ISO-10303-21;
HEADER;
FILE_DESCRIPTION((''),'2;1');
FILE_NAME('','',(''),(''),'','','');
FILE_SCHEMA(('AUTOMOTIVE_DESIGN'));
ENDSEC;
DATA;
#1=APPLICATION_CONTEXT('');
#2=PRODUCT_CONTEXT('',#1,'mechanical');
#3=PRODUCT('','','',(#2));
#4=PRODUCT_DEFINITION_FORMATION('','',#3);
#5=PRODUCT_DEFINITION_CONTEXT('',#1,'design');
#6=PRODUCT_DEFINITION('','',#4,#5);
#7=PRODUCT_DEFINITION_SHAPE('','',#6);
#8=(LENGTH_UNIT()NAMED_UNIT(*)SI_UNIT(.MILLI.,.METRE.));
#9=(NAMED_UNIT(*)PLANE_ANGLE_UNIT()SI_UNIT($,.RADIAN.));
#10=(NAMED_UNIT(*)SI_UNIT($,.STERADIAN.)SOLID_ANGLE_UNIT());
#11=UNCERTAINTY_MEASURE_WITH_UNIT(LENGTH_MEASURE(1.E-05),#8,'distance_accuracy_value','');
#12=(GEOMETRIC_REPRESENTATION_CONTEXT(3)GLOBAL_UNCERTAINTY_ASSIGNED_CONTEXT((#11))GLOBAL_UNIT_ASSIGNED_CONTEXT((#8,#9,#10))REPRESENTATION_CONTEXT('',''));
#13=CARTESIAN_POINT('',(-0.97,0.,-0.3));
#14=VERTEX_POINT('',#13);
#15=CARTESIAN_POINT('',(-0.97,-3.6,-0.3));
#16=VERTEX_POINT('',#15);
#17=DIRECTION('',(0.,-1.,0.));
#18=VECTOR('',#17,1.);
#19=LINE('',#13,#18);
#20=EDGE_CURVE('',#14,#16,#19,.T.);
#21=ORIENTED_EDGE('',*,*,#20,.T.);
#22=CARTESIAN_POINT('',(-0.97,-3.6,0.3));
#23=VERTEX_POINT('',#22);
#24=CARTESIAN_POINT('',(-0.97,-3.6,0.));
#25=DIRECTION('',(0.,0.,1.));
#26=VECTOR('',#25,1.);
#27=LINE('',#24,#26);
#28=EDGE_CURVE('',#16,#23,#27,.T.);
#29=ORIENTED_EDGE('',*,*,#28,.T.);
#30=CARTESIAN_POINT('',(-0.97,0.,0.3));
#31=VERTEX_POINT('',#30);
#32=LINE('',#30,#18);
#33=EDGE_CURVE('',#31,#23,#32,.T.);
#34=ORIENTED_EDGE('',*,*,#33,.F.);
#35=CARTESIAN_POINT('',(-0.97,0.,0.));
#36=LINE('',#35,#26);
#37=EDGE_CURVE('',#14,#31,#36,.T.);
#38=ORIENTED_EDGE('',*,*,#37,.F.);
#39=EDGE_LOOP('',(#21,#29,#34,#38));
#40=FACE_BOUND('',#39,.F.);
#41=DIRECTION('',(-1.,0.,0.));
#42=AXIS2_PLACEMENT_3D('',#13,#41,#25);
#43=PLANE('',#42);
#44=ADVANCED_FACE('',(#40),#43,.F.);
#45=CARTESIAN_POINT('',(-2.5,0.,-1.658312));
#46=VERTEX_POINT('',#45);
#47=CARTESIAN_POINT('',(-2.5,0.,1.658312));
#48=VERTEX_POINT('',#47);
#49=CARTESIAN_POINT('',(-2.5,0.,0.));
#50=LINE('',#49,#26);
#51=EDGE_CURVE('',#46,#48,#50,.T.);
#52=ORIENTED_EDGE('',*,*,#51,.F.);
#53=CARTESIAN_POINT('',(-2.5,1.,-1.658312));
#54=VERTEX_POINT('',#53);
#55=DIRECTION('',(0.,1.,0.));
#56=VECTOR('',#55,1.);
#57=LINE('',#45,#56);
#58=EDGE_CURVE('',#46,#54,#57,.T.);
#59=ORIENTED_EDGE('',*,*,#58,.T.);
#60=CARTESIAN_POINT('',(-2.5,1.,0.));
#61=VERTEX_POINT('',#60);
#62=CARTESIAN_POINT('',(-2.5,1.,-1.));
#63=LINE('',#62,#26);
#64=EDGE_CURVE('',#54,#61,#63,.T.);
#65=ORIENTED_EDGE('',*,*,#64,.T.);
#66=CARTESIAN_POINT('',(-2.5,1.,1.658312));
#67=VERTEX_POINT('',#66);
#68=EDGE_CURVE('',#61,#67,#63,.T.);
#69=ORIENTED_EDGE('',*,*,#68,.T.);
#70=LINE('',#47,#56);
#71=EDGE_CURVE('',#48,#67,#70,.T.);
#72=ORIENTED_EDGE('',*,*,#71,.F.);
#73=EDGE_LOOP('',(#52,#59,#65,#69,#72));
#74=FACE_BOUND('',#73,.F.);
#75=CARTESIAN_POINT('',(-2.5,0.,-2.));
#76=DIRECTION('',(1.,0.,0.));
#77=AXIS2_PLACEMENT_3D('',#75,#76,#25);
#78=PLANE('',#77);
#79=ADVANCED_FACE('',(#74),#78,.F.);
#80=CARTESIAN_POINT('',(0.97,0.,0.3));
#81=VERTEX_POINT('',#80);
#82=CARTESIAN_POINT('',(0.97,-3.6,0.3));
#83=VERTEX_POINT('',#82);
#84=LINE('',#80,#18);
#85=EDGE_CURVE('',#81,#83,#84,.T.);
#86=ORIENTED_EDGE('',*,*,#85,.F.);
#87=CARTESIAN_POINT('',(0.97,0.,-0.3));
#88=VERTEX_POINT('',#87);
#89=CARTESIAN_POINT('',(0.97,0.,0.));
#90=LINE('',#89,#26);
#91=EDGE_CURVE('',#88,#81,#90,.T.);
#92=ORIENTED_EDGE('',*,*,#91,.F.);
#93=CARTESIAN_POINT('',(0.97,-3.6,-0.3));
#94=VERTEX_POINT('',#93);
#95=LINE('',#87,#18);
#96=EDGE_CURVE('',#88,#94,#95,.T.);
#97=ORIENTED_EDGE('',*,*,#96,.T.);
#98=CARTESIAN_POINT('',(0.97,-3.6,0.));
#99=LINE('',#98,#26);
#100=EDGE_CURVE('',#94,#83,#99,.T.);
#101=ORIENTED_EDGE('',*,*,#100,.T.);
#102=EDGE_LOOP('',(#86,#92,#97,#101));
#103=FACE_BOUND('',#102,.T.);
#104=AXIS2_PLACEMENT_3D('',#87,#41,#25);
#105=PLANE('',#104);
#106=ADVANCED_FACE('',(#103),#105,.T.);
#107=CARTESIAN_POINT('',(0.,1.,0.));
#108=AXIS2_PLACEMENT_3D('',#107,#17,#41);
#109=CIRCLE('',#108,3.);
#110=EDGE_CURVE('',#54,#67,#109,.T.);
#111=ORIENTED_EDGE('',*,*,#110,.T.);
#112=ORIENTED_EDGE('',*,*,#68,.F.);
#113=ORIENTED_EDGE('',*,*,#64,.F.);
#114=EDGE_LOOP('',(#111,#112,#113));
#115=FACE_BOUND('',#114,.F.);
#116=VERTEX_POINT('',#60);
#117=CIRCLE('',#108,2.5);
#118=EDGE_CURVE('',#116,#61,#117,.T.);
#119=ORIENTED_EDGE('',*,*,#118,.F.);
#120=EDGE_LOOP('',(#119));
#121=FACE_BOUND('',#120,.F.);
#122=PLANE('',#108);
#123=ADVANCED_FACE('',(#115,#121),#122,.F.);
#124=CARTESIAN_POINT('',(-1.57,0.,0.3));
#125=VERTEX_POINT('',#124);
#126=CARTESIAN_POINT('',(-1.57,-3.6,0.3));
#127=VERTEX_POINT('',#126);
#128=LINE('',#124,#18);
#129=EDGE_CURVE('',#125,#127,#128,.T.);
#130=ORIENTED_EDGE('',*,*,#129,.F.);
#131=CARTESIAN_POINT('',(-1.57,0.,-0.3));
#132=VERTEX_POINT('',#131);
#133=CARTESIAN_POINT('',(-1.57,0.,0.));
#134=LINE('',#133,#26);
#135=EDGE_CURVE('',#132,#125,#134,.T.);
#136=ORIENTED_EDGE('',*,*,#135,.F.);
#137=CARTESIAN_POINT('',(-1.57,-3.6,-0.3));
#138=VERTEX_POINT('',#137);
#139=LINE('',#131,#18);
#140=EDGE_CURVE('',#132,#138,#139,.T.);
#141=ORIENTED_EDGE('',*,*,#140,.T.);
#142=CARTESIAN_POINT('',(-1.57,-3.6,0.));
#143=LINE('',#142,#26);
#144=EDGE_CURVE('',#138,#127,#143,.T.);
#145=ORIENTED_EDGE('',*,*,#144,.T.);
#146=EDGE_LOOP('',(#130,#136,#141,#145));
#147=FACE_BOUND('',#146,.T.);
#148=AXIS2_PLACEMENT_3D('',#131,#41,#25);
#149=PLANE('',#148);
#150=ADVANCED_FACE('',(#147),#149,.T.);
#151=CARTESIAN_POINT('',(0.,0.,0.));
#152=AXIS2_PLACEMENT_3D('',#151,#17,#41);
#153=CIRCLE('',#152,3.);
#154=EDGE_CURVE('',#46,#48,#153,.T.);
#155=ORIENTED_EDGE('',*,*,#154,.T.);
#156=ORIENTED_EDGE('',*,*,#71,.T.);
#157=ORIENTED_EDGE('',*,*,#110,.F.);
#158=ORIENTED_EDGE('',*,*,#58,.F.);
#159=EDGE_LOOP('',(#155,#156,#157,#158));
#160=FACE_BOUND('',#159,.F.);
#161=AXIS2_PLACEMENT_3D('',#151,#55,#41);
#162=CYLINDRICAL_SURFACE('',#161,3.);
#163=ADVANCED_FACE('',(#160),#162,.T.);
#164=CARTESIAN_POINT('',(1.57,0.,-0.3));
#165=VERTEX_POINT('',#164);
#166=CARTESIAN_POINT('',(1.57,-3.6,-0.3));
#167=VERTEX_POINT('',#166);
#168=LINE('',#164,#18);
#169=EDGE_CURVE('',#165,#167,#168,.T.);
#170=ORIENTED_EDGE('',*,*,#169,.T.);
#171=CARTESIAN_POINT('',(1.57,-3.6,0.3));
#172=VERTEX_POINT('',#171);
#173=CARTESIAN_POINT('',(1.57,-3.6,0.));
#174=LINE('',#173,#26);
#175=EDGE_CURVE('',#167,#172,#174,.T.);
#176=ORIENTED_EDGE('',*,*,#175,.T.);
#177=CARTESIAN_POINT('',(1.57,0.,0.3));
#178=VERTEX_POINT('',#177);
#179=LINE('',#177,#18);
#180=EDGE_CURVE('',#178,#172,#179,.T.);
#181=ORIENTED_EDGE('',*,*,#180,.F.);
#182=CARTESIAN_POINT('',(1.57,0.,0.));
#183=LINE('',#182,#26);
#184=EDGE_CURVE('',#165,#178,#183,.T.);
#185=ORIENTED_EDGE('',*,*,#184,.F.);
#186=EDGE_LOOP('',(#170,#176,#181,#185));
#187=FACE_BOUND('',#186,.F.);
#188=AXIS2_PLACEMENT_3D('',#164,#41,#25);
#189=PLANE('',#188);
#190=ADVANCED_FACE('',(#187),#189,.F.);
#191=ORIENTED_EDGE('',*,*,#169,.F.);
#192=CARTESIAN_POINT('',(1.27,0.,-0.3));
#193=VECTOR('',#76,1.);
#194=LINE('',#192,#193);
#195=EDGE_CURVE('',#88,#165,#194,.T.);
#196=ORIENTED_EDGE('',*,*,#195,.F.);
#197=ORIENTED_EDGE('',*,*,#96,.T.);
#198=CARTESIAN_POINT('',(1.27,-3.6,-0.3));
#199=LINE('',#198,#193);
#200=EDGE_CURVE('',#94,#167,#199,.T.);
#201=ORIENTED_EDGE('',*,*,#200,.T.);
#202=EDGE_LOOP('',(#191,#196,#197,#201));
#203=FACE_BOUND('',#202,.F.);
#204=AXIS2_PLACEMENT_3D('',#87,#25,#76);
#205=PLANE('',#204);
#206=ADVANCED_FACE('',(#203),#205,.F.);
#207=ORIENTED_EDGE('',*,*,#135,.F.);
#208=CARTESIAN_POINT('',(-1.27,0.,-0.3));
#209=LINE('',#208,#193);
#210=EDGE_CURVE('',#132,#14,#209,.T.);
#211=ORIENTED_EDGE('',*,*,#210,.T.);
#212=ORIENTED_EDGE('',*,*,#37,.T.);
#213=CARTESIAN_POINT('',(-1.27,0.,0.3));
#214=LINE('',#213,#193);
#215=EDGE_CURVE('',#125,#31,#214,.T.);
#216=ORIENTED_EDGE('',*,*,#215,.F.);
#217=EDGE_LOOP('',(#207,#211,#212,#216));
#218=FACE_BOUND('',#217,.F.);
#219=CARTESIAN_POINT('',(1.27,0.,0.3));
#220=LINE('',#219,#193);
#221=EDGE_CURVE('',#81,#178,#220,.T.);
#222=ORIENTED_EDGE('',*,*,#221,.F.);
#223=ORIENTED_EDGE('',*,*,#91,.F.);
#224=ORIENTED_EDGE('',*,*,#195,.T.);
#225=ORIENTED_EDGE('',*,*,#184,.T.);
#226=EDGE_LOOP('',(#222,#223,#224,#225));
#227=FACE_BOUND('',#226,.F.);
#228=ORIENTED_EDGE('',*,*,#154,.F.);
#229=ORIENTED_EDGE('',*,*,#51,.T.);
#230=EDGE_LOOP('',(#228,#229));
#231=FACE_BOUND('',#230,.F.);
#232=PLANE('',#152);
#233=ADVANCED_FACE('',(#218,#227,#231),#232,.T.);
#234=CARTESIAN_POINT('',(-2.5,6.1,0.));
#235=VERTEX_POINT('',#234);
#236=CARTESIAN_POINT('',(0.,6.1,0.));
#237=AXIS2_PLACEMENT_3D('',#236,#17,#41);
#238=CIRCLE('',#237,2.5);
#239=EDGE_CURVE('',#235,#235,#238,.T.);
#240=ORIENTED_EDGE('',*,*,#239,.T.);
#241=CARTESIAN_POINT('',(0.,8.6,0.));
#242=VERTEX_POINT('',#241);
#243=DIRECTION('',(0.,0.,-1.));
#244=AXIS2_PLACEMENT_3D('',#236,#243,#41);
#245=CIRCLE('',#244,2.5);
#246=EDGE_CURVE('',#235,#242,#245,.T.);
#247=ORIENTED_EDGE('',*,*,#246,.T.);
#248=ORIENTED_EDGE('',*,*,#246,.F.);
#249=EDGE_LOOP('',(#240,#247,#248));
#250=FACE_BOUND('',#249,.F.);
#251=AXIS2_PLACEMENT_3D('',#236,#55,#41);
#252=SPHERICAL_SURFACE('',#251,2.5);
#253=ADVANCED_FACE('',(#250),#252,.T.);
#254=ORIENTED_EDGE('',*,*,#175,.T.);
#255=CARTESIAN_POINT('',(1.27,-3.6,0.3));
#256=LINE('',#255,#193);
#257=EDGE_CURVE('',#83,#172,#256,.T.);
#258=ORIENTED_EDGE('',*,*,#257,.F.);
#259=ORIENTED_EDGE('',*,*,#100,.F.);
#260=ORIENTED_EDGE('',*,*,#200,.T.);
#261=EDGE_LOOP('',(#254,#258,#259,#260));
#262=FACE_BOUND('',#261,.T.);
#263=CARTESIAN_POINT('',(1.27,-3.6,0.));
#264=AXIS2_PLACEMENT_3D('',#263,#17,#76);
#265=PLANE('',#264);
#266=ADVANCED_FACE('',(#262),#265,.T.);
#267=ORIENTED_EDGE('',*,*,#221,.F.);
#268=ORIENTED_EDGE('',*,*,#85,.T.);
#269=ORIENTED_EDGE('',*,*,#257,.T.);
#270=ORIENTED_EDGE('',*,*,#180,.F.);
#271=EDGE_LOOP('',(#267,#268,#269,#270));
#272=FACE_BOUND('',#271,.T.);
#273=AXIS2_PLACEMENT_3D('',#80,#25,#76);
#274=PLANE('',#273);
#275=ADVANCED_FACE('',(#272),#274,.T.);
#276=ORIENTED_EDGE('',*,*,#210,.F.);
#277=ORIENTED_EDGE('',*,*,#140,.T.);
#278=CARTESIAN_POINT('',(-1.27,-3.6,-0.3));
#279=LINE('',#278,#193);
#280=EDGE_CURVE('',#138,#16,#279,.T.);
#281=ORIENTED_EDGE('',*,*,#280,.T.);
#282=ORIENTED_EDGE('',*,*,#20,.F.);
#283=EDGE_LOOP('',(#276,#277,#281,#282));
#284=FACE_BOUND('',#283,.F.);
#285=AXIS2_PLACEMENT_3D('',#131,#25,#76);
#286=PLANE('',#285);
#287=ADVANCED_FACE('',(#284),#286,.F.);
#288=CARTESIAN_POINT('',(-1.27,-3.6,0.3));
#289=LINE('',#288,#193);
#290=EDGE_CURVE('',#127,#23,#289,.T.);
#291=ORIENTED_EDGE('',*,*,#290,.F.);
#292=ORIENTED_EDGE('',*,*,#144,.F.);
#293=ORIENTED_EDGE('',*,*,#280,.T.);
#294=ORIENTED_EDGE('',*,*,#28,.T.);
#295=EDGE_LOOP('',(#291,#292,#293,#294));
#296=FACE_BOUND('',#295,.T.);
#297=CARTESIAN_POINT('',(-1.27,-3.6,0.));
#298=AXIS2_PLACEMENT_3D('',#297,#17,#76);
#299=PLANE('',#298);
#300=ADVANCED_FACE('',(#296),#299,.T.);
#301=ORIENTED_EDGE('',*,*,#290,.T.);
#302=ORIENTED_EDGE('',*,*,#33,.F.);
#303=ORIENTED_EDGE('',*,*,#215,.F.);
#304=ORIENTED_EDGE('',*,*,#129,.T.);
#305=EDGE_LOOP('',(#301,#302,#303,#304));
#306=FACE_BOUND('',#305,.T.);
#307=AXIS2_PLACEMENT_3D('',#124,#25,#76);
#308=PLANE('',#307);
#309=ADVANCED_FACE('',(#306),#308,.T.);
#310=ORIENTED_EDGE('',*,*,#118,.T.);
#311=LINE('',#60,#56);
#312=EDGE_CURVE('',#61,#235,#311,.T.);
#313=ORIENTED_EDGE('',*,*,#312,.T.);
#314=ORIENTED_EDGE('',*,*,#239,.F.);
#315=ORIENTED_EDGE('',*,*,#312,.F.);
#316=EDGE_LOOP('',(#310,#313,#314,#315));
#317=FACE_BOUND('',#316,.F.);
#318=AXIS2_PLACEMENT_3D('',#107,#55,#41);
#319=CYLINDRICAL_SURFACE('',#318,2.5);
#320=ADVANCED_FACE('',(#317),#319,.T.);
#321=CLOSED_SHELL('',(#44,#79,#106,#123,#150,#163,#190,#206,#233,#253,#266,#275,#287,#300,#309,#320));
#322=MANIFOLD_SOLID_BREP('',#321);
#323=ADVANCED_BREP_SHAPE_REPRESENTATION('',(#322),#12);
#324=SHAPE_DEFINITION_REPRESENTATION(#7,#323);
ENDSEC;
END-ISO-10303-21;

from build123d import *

# Parameters (mm, degrees)
ESQUISSE2_W             = 0.6
ESQUISSE2_H             = 0.6
BOSS_EXTRU_1_DEPTH      = 3.6
ESQUISSE3_W             = 1
ESQUISSE3_H             = 4
ENL_V_MAT_EXTRU_1_DEPTH = 9.6


with BuildPart() as part:
    # Esquisse1 → Révolution1 (revolve)
    with BuildSketch(Plane.XY):
        with BuildLine():
            Line((0, 0), (-3, 0))
            Line((-3, 0), (-3, 1))
            Line((-3, 1), (-2.5, 1))
            Line((-2.5, 1), (-2.5, 6.1))
            ThreePointArc((-2.5, 6.1), (-1.767766953, 7.867766953), (0, 8.6))
            Line((0, 8.6), (0, 0))
        make_face()
    revolve(axis=Axis((0, 8.6, 0), (0, -1, 0)))

    # Esquisse2 → Boss.-Extru.1 (add)
    with BuildSketch(Plane.XZ):
        with Locations((-1.27, 0)):
            Rectangle(ESQUISSE2_W, ESQUISSE2_H)
        with Locations((1.27, 0)):
            Rectangle(ESQUISSE2_W, ESQUISSE2_H)
    extrude(amount=BOSS_EXTRU_1_DEPTH)

    # Esquisse3 → Enlèv. mat.-Extru.1 (cut, through all)
    with BuildSketch(Plane.XZ):
        with Locations((-3, 0)):
            Rectangle(ESQUISSE3_W, ESQUISSE3_H)
    extrude(amount=-ENL_V_MAT_EXTRU_1_DEPTH, mode=Mode.SUBTRACT)


solid = part.part
